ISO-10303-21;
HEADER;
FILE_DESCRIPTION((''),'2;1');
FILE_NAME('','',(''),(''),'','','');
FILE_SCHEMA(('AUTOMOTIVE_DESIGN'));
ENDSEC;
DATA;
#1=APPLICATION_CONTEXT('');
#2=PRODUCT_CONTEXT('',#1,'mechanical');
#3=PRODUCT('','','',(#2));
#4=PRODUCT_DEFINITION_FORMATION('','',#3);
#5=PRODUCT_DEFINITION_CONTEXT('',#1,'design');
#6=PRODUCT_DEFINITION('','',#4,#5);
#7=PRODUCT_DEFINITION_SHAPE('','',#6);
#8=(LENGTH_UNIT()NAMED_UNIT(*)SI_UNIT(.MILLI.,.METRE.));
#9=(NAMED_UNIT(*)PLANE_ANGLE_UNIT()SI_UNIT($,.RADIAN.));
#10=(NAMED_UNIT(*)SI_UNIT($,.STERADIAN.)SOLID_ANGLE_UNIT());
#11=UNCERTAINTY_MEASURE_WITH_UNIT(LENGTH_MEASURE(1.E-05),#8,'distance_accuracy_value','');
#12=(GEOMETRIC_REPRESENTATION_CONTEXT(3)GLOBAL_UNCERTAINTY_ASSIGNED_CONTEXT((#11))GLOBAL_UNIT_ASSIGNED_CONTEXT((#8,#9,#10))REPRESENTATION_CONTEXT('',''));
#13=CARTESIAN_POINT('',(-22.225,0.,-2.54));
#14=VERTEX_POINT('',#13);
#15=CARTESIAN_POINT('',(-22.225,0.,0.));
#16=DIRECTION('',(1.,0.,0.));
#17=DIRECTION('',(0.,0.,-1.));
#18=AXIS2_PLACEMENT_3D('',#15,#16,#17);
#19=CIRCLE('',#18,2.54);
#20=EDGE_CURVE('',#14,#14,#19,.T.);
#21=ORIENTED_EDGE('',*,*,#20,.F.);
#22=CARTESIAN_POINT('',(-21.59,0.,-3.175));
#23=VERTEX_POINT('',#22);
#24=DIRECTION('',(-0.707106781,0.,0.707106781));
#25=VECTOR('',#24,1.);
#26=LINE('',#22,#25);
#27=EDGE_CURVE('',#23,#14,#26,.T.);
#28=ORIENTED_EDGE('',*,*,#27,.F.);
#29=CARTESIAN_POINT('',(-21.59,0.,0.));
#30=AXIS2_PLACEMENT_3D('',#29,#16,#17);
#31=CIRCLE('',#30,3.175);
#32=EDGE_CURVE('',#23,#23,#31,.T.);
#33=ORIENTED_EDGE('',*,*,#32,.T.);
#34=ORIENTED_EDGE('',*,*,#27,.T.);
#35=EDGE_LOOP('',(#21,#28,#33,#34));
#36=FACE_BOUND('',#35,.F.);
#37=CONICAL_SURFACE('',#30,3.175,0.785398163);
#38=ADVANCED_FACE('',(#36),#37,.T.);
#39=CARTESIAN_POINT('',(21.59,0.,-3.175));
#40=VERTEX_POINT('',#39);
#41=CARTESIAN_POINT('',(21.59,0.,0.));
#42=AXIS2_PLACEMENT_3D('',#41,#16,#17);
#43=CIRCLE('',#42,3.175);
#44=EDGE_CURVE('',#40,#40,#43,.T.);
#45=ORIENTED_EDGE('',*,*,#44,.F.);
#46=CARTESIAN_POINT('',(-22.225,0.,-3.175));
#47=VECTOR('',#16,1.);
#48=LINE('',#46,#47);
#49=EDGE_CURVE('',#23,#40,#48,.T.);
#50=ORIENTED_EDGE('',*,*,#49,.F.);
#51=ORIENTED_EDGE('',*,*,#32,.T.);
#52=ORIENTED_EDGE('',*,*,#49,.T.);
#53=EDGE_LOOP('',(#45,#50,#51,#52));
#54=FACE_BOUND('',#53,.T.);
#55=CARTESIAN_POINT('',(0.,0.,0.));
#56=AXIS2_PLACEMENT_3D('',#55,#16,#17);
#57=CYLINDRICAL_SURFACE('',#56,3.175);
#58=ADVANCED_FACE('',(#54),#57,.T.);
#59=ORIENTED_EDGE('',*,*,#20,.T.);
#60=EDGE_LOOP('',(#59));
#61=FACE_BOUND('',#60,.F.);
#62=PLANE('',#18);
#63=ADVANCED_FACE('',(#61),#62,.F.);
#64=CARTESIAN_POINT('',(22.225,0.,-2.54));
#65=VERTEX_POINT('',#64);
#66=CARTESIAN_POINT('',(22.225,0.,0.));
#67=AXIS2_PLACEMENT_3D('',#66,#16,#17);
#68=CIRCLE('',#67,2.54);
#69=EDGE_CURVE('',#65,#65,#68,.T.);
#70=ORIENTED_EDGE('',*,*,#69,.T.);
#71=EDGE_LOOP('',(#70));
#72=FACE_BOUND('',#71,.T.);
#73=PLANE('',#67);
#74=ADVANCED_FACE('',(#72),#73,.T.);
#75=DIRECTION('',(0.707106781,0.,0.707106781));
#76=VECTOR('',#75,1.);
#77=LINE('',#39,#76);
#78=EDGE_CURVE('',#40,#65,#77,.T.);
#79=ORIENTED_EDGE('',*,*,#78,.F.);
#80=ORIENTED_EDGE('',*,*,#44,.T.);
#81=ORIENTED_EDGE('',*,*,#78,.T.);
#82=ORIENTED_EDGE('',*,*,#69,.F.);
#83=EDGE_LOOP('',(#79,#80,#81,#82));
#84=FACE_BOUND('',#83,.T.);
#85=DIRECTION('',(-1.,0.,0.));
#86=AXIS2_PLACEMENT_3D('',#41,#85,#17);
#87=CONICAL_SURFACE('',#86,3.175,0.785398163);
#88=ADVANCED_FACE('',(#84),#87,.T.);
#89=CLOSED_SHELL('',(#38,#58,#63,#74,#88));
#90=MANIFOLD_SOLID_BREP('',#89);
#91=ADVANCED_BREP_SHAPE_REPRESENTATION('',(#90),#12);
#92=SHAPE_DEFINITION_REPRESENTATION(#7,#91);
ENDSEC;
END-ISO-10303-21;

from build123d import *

# Parameters (mm, degrees)
SKETCH2_R           = 3.175
EXTRUDE1_DEPTH      = 22.225
EXTRUDE1_DEPTH_BACK = 22.225
CHAMFER1_SIZE       = 0.635


with BuildPart() as part:
    # Sketch2 → Extrude1 (new body, two sides)
    with BuildSketch(Plane(origin=(0, 0, 0), x_dir=(0, 0, -1), z_dir=(1, 0, 0))) as extrude1_sk:
        Circle(SKETCH2_R)
    extrude(amount=EXTRUDE1_DEPTH)
    extrude(extrude1_sk.sketch, amount=-EXTRUDE1_DEPTH_BACK)

    # Chamfer1
    chamfer1_edges = [part.edges().sort_by_distance(p)[0] for p in [
        (-22.225, 0, 3.175),
        (22.225, 0, 3.175),
    ]]
    chamfer(chamfer1_edges, length=CHAMFER1_SIZE)


solid = part.part
